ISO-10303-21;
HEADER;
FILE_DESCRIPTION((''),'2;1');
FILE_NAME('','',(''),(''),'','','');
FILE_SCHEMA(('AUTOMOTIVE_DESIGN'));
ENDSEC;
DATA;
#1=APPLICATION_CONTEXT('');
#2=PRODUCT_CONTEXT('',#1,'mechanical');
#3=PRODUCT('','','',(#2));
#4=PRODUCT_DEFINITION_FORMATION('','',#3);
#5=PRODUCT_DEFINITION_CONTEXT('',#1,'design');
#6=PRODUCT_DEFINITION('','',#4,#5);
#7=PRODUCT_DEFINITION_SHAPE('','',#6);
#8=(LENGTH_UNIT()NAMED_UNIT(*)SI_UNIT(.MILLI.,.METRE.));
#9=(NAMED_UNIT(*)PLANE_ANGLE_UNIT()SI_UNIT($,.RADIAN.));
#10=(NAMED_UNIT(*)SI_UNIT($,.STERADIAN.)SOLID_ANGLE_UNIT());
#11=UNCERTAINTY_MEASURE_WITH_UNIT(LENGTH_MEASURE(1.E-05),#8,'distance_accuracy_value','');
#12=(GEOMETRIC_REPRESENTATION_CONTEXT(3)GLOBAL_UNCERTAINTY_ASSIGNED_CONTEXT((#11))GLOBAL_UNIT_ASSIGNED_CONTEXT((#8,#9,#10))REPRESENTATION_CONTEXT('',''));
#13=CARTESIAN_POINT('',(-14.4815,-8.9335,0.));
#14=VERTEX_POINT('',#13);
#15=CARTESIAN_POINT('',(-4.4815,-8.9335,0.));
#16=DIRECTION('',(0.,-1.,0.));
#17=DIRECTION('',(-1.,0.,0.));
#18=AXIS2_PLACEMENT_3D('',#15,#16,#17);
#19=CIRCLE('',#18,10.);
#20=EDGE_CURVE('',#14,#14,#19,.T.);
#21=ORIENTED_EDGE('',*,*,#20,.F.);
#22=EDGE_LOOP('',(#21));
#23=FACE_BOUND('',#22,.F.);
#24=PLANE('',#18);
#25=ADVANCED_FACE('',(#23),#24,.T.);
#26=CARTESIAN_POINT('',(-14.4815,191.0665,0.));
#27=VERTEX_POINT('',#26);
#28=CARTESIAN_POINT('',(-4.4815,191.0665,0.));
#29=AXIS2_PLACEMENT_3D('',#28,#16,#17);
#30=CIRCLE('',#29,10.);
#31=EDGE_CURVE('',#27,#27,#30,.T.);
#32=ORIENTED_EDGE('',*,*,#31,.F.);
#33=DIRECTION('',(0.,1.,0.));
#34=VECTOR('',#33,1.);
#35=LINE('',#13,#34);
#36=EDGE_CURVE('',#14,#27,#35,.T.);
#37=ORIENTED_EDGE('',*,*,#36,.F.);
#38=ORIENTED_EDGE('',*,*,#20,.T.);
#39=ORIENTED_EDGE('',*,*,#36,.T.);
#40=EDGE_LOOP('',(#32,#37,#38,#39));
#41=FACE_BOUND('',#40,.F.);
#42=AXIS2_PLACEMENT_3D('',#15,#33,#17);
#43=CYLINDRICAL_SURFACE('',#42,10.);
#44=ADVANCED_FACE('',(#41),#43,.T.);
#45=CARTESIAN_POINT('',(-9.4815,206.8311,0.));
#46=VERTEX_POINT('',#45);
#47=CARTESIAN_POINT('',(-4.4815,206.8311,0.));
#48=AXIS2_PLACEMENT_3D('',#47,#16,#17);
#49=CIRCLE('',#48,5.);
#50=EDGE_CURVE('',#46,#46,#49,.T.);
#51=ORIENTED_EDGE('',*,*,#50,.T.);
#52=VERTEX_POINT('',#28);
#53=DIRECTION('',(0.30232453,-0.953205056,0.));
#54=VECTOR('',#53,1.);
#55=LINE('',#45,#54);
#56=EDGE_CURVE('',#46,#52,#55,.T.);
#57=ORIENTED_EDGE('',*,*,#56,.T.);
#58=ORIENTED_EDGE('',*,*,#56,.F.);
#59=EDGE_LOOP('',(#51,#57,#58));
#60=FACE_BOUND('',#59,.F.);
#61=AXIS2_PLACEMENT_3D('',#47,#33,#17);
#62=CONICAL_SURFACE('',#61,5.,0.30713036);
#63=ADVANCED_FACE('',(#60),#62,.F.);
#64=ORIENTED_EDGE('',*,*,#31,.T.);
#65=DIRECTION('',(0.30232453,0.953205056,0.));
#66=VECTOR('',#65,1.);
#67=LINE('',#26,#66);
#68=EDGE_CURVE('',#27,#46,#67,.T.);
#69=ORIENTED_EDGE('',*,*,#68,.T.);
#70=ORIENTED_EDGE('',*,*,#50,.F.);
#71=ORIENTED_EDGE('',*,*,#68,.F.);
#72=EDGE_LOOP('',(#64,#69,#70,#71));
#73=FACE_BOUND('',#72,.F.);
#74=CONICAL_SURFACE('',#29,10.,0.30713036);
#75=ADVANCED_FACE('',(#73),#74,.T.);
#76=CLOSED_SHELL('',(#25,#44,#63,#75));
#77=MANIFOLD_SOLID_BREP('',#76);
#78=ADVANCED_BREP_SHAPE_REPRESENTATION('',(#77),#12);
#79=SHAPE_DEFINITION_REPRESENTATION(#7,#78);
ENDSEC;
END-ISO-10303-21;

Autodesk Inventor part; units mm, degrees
ref_plane "YZ Plane" through (0, 0, 0) normal (1, 0, 0) x (0, 1, 0)
ref_plane "XZ Plane" through (0, 0, 0) normal (0, 1, 0) x (-1, 0, 0)
ref_plane "XY Plane" through (0, 0, 0) normal (0, 0, 1) x (1, 0, 0)
sketch "Sketch1" plane through (0, 0, 0) normal (0, 0, 1) x (1, 0, 0)
  line L0 (-4.4815, 191.0665) -> (-4.4815, -8.9335)
  line L1 (-4.4815, -8.9335) -> (-14.4815, -8.9335)
  line L2 (-14.4815, -8.9335) -> (-14.4815, 191.0665)
  line L3 (-14.4815, 191.0665) -> (-9.4815, 206.8311)
  line L4 (-9.4815, 206.8311) -> (-4.4815, 191.0665)
  point P0 (0, 0)
  dimension "d0" = 10
  dimension "d1" = 200
revolve "Revolution1" add sketch "Sketch1" angle 360 about axis through (-4.4815, 191.0665, 0) along (0, -1, 0)
thread "Thread1" size "R 1/16" standard "ISO Taper" full length
properties part number "rev pen"
